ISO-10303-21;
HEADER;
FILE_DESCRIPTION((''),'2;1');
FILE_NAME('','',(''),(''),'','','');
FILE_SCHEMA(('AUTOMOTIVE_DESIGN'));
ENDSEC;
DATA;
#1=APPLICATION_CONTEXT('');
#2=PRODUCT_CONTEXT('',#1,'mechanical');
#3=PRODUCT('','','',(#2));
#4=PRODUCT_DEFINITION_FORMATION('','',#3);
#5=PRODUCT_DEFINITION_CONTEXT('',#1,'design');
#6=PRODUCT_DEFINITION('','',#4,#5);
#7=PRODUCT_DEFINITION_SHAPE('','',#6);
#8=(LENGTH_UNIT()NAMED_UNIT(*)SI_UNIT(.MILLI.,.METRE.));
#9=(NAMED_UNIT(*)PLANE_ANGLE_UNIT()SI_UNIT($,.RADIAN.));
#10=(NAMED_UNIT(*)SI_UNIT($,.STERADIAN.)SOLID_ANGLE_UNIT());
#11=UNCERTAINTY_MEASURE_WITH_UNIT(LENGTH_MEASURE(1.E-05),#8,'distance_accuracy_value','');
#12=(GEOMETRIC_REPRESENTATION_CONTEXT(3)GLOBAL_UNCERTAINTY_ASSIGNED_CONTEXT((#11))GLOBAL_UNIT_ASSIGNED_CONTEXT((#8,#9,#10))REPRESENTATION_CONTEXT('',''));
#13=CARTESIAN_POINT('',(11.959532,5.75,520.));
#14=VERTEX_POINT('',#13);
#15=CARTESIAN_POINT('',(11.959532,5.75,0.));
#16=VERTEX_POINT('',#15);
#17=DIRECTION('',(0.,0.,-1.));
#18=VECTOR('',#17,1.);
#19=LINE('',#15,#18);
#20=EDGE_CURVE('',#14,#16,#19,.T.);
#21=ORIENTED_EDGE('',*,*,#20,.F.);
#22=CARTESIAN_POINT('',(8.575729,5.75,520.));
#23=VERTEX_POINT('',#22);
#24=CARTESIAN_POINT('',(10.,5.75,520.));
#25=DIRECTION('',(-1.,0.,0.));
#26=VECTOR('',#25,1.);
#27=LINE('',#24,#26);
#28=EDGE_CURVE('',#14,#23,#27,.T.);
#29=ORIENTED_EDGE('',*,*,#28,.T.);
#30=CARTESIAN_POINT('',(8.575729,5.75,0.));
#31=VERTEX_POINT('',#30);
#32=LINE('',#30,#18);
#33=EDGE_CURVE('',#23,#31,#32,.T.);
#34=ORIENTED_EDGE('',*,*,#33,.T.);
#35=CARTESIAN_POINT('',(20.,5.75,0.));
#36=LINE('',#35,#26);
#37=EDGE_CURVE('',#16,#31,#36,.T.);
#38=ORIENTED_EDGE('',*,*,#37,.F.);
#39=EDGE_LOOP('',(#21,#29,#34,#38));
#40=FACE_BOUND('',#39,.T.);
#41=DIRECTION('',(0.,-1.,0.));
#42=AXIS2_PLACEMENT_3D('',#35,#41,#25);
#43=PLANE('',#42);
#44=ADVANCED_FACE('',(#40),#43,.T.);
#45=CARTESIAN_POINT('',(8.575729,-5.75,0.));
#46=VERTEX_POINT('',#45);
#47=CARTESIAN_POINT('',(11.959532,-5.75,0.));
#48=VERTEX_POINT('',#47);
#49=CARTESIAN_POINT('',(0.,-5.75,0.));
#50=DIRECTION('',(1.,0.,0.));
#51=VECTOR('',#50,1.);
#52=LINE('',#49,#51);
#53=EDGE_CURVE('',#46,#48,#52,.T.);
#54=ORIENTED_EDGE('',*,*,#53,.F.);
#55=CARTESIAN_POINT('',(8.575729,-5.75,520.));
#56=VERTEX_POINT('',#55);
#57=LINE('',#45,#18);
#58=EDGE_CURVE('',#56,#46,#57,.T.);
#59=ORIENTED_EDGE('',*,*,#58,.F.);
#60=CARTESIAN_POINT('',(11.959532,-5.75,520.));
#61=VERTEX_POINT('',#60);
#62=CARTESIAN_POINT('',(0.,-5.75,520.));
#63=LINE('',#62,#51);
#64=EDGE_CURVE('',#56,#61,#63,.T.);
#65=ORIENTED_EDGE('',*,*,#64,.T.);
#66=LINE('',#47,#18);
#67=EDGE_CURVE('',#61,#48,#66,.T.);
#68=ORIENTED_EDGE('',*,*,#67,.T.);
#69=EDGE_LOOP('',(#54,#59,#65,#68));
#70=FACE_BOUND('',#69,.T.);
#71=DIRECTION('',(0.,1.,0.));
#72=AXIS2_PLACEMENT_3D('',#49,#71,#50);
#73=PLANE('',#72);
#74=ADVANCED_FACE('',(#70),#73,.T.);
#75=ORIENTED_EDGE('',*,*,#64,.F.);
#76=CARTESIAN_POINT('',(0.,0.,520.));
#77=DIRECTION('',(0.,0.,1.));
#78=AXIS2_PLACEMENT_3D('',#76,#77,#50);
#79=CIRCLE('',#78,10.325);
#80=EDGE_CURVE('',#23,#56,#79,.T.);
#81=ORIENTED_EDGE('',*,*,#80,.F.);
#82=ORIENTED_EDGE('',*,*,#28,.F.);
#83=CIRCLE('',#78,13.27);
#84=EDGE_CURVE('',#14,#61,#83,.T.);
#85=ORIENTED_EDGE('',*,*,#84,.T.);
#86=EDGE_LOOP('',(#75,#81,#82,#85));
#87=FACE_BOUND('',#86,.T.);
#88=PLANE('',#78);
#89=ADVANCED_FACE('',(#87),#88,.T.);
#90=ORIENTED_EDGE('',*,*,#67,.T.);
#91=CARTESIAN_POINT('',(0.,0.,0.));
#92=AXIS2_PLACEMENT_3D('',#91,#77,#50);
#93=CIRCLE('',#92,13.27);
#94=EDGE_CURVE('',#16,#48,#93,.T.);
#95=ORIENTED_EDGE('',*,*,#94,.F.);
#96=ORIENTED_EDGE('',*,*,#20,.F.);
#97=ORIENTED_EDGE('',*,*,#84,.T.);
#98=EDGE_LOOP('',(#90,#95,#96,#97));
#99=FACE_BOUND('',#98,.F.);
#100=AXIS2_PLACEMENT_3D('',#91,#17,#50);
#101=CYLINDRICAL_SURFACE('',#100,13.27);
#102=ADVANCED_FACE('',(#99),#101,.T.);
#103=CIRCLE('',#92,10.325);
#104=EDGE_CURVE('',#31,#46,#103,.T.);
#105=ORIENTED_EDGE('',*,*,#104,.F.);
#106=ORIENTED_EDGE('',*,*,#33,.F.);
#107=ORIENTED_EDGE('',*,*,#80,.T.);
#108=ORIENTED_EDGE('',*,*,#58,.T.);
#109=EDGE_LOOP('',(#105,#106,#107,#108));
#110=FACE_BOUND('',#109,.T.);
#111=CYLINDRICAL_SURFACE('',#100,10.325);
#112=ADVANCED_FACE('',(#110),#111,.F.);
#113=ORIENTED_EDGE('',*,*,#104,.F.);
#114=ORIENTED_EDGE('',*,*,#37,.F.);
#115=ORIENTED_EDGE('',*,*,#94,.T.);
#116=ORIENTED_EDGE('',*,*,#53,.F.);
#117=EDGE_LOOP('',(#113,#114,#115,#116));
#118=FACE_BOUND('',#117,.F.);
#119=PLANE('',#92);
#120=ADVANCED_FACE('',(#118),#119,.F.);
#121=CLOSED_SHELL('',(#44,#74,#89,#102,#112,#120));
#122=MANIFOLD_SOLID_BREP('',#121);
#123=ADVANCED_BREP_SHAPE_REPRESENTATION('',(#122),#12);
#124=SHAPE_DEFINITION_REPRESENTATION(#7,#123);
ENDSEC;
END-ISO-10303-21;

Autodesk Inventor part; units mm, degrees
ref_plane "YZ Plane" through (0, 0, 0) normal (1, 0, 0) x (0, 1, 0)
ref_plane "XZ Plane" through (0, 0, 0) normal (0, 1, 0) x (-1, 0, 0)
ref_plane "XY Plane" through (0, 0, 0) normal (0, 0, 1) x (1, 0, 0)
sketch "Sketch1" plane through (0, 0, 0) normal (0, 0, 1) x (1, 0, 0)
  circle A0 centre (0, 0) radius 13.27
  circle A1 centre (0, 0) radius 10.325
  dimension "d0" = 26.54
  dimension "d1" = 20.65
extrude "Extrusion1" add sketch "Sketch1" along normal blind 520
sketch "Sketch4" plane through (0, 0, 0) normal (0, 0, -1) x (-1, 0, 0)
  line L0 (-20, 5.75) -> (0, 5.75)
  line L1 (0, 5.75) -> (0, -5.75)
  line L2 (0, -5.75) -> (-20, -5.75)
  line L3 (-20, -5.75) -> (-20, 5.75)
  point P0 (0, 0)
  point P1 (0, 0)
  dimension "d9" = 20
  dimension "d10" = 11.5
extrude "Extrusion4" cut sketch "Sketch4" against normal up to next
properties part number "inner_sheath" material "Acetal Resin, White"
